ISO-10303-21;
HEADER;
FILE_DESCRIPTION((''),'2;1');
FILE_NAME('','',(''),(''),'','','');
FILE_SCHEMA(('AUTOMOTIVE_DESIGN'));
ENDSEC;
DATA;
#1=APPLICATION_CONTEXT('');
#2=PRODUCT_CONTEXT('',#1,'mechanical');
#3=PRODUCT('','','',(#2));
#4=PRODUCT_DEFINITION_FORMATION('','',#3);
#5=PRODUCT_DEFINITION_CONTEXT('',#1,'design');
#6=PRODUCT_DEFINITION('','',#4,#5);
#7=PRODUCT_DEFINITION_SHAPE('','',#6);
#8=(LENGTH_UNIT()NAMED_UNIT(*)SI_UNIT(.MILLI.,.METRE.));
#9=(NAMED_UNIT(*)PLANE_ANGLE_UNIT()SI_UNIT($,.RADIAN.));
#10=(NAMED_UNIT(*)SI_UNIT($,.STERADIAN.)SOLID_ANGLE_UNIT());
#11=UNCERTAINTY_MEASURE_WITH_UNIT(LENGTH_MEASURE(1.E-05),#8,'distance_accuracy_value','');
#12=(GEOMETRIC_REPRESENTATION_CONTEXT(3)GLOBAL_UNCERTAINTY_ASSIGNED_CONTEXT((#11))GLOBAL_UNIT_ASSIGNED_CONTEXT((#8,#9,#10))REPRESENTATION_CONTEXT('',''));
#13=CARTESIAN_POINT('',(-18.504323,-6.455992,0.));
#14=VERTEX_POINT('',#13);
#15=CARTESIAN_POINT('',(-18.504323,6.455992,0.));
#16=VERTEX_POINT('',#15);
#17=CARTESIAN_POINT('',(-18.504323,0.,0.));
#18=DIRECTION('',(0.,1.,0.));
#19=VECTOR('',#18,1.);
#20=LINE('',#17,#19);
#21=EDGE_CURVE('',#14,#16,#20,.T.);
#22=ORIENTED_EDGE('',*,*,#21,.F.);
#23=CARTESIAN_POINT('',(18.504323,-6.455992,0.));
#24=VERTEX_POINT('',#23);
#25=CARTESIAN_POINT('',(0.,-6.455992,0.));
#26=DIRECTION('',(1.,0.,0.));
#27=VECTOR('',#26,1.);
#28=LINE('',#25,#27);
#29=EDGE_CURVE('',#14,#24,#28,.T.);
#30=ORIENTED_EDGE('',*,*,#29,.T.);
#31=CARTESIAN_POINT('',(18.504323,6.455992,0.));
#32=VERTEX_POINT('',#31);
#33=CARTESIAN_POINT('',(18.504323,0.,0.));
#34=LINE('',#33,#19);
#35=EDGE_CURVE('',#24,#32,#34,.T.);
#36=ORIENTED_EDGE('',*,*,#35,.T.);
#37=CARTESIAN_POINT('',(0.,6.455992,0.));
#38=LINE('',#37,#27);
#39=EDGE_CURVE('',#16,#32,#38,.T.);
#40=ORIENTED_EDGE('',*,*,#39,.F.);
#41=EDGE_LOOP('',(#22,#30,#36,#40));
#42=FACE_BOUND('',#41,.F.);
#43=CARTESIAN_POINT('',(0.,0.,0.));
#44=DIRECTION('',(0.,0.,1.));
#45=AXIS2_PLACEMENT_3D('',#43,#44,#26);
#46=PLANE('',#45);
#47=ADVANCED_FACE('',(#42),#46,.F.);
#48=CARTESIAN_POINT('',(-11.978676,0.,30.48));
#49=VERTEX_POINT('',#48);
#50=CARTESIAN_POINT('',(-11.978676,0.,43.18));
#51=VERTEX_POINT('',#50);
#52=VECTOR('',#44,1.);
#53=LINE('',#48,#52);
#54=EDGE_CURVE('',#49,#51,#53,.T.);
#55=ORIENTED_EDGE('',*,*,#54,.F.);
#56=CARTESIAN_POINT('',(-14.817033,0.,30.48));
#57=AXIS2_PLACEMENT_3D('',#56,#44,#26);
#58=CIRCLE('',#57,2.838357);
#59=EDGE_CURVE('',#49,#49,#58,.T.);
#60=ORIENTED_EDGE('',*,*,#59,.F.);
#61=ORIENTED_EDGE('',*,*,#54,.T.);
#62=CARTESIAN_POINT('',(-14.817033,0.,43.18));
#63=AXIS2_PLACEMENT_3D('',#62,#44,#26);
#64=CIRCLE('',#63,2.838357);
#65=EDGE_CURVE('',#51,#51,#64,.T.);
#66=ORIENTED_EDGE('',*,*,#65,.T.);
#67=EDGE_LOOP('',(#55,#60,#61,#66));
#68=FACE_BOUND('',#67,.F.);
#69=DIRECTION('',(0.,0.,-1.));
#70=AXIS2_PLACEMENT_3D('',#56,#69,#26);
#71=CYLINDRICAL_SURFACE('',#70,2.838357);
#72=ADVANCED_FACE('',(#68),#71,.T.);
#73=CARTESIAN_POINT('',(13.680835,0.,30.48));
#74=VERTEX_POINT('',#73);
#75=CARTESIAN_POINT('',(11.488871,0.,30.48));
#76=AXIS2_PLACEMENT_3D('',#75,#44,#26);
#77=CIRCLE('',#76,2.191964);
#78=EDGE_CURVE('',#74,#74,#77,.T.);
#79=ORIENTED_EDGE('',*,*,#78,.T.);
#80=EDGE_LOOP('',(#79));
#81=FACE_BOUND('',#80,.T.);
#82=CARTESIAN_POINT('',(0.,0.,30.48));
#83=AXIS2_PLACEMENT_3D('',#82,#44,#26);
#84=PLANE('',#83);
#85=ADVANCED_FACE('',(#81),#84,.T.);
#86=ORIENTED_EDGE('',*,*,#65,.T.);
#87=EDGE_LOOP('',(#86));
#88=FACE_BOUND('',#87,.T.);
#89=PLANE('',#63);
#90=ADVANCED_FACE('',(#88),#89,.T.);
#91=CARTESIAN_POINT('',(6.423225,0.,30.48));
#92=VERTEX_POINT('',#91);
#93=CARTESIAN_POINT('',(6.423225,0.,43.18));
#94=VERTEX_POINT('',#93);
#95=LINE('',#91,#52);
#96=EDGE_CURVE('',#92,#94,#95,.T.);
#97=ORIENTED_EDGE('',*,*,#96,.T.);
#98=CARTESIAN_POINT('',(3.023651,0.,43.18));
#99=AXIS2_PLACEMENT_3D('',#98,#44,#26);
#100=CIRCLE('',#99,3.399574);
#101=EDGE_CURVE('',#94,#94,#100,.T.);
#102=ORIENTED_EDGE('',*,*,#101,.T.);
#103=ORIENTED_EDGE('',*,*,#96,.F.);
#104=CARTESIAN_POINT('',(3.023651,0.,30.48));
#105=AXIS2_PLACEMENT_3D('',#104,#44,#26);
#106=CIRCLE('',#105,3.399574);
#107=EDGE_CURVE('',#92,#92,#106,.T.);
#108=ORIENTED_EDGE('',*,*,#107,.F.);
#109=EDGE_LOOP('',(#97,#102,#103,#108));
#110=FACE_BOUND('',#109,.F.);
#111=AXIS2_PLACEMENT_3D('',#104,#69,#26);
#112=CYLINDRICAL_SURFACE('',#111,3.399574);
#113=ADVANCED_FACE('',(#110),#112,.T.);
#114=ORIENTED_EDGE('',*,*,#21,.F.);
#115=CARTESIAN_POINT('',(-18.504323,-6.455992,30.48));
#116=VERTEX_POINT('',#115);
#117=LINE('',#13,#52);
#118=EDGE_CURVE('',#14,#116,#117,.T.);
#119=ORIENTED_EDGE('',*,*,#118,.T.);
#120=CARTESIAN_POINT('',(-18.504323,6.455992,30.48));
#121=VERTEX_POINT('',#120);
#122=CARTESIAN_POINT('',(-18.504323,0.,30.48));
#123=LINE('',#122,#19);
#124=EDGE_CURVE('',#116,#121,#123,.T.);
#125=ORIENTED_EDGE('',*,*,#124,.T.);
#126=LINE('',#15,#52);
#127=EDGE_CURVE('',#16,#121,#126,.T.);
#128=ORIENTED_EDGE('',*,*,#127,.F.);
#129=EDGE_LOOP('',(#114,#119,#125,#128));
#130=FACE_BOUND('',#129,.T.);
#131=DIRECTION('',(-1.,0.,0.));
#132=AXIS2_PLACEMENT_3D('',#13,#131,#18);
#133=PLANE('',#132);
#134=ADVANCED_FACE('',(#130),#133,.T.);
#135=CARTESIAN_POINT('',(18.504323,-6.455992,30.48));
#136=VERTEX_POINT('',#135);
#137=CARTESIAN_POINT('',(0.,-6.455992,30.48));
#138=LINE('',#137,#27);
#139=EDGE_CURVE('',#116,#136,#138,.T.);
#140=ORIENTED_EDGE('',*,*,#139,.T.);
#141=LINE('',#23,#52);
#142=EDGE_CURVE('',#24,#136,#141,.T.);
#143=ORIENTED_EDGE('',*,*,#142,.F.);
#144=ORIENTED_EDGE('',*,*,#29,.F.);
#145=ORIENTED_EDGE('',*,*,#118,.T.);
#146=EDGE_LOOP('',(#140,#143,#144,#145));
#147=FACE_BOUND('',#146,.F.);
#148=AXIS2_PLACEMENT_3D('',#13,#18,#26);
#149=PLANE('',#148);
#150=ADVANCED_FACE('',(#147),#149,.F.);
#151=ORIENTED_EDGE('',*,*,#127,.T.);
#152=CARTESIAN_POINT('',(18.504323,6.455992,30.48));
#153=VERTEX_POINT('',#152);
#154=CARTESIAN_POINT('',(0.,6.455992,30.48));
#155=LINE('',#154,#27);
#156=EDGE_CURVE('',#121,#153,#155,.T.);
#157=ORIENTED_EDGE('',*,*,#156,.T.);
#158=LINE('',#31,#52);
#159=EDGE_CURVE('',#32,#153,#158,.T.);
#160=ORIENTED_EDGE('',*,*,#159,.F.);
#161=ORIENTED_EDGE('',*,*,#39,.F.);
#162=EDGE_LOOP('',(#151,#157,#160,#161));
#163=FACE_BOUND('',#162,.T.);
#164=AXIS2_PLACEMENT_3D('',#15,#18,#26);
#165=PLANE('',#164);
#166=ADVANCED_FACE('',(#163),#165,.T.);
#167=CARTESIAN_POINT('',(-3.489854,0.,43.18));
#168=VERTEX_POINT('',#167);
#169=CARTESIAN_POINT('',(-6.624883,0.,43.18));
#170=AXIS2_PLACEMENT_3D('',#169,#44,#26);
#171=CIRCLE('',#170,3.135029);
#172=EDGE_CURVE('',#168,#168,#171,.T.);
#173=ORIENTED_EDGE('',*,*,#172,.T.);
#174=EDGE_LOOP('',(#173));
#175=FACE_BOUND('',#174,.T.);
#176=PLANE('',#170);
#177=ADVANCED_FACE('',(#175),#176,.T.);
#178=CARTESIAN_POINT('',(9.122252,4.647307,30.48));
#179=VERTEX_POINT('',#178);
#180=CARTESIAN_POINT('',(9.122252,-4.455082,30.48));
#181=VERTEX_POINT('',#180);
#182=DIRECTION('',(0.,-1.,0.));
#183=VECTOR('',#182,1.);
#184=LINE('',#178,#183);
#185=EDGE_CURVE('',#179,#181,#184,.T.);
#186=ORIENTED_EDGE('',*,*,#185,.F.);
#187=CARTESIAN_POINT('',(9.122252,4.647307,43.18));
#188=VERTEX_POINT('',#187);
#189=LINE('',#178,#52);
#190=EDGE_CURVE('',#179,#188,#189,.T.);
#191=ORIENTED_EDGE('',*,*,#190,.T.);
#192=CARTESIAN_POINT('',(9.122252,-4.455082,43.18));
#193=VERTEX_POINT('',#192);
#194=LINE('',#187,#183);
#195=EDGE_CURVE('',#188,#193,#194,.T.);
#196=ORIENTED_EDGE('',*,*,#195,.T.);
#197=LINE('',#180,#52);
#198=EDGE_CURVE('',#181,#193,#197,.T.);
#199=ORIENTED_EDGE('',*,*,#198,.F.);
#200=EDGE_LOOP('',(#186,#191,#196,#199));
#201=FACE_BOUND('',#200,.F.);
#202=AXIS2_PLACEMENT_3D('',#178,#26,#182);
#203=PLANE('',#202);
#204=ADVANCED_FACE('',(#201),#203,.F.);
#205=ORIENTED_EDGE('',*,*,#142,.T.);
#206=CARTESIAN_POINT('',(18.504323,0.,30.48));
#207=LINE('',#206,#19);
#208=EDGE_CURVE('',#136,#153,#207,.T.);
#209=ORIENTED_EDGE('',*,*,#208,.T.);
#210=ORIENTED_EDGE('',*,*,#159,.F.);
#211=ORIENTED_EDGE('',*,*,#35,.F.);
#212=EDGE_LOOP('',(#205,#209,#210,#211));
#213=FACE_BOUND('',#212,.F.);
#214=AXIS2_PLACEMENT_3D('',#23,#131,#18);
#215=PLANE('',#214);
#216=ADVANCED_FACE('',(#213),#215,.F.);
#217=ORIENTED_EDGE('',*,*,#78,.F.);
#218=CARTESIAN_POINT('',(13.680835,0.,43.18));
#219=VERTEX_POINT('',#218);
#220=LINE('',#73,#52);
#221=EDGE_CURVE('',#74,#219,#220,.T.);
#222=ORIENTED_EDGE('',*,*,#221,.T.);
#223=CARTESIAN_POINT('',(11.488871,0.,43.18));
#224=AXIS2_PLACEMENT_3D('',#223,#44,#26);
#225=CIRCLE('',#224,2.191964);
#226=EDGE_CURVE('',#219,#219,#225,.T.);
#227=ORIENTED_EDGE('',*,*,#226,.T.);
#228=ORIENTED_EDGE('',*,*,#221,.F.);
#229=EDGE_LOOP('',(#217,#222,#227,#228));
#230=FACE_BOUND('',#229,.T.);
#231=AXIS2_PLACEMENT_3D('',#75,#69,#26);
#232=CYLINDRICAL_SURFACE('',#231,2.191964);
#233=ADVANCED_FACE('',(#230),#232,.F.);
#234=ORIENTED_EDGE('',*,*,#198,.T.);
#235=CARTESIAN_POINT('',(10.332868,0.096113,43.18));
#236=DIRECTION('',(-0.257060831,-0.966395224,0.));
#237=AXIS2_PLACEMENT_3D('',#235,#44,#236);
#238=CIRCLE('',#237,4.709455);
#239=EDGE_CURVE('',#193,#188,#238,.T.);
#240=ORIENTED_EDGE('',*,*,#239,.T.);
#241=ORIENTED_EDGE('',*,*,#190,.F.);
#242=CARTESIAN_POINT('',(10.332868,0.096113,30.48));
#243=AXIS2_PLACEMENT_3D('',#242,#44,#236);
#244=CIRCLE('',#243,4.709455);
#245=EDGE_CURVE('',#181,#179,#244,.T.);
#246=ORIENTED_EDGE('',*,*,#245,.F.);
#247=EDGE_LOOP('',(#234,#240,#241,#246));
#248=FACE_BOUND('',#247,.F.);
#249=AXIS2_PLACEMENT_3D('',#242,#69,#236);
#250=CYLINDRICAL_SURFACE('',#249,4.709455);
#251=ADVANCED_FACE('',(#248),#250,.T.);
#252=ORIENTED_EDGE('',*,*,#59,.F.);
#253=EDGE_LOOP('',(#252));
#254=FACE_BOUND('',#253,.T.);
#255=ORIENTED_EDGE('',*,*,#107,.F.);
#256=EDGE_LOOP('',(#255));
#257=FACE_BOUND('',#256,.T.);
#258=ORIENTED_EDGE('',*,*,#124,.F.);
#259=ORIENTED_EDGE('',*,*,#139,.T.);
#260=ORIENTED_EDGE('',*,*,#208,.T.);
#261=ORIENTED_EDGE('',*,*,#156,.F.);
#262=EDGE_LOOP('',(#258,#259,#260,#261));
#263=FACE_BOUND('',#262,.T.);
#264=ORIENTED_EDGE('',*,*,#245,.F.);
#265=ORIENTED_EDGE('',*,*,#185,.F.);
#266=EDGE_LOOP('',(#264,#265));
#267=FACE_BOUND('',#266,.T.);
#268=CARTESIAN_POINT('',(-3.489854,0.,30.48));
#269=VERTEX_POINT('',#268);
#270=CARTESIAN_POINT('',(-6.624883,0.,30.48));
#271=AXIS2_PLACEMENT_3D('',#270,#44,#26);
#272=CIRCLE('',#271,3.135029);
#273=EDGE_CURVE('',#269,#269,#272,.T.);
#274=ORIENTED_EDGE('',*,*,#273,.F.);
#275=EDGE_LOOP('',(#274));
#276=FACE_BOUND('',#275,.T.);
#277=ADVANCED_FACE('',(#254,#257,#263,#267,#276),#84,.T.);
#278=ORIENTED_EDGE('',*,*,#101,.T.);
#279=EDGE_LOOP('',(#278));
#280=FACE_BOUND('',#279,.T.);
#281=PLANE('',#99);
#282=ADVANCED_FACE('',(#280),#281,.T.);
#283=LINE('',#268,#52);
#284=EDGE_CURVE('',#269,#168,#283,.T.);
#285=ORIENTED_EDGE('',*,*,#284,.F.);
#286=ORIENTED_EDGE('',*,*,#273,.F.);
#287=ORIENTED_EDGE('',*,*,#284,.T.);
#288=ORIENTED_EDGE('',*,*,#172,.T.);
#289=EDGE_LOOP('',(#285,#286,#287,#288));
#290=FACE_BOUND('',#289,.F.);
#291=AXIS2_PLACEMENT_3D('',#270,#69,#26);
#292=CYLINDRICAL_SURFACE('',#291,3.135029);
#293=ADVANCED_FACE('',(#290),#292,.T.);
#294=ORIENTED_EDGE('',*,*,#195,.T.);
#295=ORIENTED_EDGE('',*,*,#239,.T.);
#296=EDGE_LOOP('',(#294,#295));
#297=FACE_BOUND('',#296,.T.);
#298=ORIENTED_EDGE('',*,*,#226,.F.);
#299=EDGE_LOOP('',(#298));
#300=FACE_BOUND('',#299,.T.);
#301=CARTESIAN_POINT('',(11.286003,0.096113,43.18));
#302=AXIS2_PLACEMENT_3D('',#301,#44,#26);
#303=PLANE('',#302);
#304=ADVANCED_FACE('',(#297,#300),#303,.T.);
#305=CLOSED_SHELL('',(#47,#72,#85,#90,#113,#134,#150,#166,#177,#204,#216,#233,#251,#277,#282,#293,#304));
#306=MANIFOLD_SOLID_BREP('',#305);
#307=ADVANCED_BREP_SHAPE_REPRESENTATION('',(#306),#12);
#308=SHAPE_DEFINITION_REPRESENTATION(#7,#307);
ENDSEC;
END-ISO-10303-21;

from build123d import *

# Parameters (mm, degrees)
F0_W     = 37.008646
F0_H     = 12.911984
F1_DEPTH = 30.48
F2_R     = 2.838357
F2_R_2   = 3.135029
F2_R_3   = 3.399574
F2_R_4   = 2.191964
F3_DEPTH = 12.7


with BuildPart() as f1:
    # F0 (on Top) → F1 (new body)
    with BuildSketch(Plane.XY):
        Rectangle(F0_W, F0_H)
    extrude(amount=F1_DEPTH)

    # F2 (on face) → F3 (join)
    with BuildSketch(Plane.XY.offset(30.48)):
        with Locations((-14.817033, 0)):
            Circle(F2_R)
        with Locations((-6.624883, 0)):
            Circle(F2_R_2)
        with Locations((3.023651, 0)):
            Circle(F2_R_3)
        with BuildLine():
            Line((9.122252, 4.647307), (9.122252, 0))
            Line((9.122252, 0), (9.122252, -4.455082))
            ThreePointArc((9.122252, -4.455082), (15.042323, 0.096112), (9.122252, 4.647307))
        make_face()
        with Locations((11.488871, 0)):
            Circle(F2_R_4, mode=Mode.SUBTRACT)
    extrude(amount=F3_DEPTH)


solid = f1.part
